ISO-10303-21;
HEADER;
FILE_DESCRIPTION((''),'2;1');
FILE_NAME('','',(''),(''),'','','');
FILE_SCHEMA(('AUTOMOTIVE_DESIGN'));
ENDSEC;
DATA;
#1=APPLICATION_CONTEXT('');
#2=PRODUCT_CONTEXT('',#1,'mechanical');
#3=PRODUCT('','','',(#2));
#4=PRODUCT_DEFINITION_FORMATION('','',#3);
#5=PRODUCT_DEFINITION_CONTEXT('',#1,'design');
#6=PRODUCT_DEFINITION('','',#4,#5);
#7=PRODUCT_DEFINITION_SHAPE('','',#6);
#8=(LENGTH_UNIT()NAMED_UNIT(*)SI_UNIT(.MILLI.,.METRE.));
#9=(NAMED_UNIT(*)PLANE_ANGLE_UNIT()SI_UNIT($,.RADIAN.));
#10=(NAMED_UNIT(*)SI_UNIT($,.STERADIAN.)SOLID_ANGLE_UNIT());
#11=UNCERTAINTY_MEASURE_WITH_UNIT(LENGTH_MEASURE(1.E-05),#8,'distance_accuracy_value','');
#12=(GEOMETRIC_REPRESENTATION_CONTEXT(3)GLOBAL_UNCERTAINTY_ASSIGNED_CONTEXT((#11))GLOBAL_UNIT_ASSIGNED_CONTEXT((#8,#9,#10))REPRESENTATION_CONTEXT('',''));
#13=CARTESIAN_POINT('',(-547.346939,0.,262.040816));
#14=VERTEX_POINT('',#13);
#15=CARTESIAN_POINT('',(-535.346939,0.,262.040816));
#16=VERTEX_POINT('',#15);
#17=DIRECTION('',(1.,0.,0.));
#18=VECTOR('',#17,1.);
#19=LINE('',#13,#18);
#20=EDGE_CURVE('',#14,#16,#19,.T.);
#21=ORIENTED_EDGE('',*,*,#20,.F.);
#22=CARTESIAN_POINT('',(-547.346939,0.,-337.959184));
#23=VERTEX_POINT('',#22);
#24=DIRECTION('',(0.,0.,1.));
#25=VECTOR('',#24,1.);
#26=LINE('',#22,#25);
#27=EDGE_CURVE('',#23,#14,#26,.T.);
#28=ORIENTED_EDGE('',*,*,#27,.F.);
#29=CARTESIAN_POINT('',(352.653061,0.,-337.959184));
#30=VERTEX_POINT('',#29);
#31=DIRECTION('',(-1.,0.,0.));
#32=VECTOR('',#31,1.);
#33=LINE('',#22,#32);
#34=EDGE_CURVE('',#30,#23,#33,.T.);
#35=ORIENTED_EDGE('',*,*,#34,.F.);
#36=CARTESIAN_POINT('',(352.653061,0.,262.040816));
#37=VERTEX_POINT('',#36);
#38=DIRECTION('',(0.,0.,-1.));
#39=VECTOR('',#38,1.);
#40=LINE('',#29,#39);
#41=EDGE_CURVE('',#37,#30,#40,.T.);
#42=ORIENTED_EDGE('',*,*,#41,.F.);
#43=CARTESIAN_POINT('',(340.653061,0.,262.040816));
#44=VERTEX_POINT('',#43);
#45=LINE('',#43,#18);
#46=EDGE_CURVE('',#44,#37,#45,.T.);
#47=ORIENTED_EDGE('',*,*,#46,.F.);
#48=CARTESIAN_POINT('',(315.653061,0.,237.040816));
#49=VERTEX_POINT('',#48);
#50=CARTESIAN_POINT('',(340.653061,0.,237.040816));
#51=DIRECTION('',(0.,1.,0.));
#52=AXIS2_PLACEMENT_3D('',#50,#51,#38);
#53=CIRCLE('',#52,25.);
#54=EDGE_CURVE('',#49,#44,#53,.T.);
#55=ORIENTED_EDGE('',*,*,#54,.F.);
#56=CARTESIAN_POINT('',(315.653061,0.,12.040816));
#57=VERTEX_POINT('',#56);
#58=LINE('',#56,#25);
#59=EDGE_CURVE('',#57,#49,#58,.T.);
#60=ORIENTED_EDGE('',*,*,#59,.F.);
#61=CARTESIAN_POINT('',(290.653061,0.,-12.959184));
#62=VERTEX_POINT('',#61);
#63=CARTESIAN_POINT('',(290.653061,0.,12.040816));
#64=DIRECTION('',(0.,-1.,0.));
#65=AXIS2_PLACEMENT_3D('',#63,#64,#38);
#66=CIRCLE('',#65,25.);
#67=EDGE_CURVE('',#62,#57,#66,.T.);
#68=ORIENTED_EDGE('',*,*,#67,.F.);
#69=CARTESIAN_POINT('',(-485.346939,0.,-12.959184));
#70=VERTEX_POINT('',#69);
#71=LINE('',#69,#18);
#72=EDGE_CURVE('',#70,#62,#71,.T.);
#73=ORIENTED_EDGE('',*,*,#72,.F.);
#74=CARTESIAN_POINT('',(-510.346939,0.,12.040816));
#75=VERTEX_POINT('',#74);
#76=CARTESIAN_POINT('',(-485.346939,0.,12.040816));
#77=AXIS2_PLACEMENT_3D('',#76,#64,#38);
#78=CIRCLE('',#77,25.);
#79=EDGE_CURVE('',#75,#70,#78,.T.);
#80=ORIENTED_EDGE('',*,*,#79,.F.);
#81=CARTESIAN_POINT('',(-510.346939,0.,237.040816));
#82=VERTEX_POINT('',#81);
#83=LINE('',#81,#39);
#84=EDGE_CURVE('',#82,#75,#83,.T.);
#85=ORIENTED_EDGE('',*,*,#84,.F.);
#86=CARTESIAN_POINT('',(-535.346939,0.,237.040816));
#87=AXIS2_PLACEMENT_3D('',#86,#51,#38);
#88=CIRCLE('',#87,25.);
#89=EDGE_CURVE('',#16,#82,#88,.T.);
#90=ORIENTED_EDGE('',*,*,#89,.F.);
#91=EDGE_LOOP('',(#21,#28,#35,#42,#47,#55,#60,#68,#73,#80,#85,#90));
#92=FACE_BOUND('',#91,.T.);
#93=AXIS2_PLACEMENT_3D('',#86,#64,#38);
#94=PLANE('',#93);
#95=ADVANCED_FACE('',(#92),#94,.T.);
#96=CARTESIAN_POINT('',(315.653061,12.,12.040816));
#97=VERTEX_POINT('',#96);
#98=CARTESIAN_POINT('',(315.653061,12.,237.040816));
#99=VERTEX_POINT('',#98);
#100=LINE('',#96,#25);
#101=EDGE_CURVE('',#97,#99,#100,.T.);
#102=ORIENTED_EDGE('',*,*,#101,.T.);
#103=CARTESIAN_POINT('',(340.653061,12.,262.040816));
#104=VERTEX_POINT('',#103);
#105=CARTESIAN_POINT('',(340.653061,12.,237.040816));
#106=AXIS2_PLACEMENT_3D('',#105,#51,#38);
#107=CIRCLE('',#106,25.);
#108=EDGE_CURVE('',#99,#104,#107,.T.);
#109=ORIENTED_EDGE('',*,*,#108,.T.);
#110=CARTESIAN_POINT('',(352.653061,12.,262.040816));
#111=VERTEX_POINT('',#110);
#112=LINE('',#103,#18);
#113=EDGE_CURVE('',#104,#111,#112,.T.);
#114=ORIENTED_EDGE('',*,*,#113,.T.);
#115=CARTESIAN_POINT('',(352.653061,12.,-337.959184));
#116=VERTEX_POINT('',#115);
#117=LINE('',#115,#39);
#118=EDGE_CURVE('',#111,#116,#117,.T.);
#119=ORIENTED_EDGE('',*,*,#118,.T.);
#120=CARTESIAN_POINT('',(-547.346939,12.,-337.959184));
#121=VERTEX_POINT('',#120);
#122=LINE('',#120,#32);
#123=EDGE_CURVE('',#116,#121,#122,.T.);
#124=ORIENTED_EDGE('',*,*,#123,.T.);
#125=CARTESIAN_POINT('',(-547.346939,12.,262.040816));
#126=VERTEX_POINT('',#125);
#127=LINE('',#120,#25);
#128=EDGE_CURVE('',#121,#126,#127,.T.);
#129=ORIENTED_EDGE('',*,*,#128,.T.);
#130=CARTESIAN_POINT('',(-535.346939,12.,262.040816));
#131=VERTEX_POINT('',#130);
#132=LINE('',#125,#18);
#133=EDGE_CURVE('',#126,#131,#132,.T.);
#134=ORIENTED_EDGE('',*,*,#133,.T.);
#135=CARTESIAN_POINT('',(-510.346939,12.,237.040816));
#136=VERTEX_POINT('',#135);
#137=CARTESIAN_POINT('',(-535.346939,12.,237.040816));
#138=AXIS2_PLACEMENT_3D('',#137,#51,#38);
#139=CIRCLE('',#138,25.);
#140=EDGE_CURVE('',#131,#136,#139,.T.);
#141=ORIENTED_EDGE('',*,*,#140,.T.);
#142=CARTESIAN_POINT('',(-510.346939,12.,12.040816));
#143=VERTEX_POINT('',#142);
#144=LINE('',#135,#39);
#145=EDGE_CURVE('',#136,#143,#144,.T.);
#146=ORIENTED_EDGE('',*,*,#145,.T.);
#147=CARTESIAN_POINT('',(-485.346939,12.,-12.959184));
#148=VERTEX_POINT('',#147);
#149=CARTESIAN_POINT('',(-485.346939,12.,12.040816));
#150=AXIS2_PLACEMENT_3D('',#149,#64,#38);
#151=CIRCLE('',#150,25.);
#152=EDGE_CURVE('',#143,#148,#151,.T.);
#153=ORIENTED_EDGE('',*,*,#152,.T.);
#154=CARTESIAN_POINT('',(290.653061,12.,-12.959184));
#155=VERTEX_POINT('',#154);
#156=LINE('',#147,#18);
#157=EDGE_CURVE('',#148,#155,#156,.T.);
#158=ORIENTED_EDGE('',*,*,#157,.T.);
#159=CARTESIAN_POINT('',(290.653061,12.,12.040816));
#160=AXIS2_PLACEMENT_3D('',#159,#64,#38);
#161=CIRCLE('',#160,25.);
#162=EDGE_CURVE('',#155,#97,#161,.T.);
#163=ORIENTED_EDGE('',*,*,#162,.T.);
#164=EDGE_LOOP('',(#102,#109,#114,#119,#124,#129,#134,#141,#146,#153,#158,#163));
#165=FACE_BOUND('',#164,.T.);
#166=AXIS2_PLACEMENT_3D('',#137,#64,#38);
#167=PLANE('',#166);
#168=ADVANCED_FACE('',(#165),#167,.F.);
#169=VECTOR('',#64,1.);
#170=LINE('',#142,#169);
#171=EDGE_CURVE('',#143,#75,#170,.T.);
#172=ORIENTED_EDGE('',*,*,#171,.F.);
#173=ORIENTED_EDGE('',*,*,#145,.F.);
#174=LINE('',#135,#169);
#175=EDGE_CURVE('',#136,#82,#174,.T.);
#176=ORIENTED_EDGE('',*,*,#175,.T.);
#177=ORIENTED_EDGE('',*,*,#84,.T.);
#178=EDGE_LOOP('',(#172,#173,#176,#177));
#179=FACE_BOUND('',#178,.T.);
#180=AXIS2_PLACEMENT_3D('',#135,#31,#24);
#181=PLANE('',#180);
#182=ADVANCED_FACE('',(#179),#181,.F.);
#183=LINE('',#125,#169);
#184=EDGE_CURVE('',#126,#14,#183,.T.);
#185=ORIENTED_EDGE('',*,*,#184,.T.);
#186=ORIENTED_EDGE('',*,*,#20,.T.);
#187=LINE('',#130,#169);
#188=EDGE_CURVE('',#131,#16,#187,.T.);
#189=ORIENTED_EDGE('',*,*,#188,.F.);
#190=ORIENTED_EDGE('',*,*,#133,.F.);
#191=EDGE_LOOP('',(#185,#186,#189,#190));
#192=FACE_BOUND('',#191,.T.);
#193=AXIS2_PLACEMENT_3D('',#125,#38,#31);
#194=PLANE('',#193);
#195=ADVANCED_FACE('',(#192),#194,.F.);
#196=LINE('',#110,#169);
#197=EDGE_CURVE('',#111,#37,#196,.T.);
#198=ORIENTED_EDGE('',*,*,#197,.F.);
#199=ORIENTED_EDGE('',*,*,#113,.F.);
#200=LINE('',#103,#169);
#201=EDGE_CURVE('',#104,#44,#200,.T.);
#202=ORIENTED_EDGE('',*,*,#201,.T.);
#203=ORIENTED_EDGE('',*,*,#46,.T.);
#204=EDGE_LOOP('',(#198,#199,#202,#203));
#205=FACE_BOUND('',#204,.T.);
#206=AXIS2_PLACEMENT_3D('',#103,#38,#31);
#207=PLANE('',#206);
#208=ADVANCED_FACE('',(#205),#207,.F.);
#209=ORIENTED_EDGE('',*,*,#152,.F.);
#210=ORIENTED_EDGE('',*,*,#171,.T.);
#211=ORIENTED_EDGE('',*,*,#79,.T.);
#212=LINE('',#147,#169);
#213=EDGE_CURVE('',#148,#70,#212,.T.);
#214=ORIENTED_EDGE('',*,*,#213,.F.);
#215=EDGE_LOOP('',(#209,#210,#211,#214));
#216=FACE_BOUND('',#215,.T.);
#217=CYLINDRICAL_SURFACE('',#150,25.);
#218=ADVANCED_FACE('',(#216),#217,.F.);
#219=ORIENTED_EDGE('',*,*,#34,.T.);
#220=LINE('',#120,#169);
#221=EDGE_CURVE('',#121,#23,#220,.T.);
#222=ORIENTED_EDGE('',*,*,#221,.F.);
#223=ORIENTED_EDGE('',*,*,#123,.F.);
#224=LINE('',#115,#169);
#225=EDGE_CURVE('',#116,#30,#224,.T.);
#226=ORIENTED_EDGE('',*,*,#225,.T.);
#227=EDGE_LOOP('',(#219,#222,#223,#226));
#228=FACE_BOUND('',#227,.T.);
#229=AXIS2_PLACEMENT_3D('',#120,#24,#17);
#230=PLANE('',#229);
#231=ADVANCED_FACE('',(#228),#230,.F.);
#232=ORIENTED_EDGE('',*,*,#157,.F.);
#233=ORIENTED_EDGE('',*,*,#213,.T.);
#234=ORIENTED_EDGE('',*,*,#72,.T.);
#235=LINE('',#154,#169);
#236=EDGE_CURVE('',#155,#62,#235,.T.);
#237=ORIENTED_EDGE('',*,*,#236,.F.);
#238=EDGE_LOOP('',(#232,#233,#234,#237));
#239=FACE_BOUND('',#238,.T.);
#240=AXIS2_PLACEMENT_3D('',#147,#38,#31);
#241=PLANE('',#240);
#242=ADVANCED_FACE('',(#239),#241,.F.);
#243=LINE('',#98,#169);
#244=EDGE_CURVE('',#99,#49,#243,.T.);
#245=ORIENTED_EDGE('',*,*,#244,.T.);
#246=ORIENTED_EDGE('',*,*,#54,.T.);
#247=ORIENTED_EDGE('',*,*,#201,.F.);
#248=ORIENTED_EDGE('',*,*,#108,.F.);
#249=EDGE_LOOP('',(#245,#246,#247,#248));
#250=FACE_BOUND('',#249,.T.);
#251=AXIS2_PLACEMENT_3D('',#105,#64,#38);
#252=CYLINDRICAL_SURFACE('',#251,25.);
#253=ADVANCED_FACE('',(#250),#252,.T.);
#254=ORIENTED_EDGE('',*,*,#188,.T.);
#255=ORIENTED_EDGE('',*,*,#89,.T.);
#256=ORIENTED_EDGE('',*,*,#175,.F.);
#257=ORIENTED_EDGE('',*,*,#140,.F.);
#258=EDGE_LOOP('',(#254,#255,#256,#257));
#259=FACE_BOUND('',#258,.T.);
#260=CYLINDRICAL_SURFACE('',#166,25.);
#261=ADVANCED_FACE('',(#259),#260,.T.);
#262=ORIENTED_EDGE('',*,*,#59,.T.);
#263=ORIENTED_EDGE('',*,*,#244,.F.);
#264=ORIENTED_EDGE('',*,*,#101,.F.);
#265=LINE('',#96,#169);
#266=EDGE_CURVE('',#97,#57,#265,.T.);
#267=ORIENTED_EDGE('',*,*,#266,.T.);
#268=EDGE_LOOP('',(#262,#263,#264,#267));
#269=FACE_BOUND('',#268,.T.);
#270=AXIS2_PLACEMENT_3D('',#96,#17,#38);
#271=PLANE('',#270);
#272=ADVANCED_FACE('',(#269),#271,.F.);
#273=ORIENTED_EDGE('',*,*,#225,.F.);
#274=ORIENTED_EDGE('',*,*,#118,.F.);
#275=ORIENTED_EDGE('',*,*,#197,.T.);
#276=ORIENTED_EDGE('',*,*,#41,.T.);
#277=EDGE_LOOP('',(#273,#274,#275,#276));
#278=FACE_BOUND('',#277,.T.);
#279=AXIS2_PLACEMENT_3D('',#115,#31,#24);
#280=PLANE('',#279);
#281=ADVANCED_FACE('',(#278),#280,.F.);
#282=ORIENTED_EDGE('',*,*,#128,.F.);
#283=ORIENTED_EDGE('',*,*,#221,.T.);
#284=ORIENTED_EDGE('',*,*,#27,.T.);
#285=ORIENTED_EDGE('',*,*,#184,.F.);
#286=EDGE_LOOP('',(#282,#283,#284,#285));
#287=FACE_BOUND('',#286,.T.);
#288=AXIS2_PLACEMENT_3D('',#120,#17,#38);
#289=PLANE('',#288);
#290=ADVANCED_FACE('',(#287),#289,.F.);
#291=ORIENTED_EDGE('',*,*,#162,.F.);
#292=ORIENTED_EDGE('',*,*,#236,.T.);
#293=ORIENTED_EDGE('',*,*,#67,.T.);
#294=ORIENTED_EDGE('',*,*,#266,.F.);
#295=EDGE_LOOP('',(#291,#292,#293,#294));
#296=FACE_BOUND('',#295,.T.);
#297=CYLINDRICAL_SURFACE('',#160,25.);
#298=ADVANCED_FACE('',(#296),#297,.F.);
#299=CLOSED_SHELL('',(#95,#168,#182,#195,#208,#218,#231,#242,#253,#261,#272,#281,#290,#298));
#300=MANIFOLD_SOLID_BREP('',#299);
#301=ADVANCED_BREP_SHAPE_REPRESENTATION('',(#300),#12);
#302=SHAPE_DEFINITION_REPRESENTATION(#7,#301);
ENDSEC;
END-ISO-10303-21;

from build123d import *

# Parameters (mm, degrees)
BOSS_EXTRUDE1_DEPTH = 12


with BuildPart() as part:
    # Sketch1 → Boss-Extrude1 (new body)
    with BuildSketch(Plane(origin=(0, 0, 0), x_dir=(1, 0, 0), z_dir=(0, 1, 0))):
        with BuildLine():
            Line((-547.346938776, 337.959183673), (352.653061224, 337.959183673))
            Line((352.653061224, 337.959183673), (352.653061224, -262.040816327))
            Line((352.653061224, -262.040816327), (340.653061224, -262.040816327))
            ThreePointArc((340.653061224, -262.040816327), (322.975391695, -254.718485856), (315.653061224, -237.040816327))
            Line((315.653061224, -237.040816327), (315.653061224, -12.040816327))
            ThreePointArc((315.653061224, -12.040816327), (308.330730754, 5.636853203), (290.653061224, 12.959183673))
            Line((290.653061224, 12.959183673), (-485.346938776, 12.959183673))
            ThreePointArc((-485.346938776, 12.959183673), (-503.024608305, 5.636853203), (-510.346938776, -12.040816327))
            Line((-510.346938776, -12.040816327), (-510.346938776, -237.040816327))
            ThreePointArc((-510.346938776, -237.040816327), (-517.669269246, -254.718485856), (-535.346938776, -262.040816327))
            Line((-535.346938776, -262.040816327), (-547.346938776, -262.040816327))
            Line((-547.346938776, -262.040816327), (-547.346938776, 337.959183673))
        make_face()
    extrude(amount=BOSS_EXTRUDE1_DEPTH)


solid = part.part
